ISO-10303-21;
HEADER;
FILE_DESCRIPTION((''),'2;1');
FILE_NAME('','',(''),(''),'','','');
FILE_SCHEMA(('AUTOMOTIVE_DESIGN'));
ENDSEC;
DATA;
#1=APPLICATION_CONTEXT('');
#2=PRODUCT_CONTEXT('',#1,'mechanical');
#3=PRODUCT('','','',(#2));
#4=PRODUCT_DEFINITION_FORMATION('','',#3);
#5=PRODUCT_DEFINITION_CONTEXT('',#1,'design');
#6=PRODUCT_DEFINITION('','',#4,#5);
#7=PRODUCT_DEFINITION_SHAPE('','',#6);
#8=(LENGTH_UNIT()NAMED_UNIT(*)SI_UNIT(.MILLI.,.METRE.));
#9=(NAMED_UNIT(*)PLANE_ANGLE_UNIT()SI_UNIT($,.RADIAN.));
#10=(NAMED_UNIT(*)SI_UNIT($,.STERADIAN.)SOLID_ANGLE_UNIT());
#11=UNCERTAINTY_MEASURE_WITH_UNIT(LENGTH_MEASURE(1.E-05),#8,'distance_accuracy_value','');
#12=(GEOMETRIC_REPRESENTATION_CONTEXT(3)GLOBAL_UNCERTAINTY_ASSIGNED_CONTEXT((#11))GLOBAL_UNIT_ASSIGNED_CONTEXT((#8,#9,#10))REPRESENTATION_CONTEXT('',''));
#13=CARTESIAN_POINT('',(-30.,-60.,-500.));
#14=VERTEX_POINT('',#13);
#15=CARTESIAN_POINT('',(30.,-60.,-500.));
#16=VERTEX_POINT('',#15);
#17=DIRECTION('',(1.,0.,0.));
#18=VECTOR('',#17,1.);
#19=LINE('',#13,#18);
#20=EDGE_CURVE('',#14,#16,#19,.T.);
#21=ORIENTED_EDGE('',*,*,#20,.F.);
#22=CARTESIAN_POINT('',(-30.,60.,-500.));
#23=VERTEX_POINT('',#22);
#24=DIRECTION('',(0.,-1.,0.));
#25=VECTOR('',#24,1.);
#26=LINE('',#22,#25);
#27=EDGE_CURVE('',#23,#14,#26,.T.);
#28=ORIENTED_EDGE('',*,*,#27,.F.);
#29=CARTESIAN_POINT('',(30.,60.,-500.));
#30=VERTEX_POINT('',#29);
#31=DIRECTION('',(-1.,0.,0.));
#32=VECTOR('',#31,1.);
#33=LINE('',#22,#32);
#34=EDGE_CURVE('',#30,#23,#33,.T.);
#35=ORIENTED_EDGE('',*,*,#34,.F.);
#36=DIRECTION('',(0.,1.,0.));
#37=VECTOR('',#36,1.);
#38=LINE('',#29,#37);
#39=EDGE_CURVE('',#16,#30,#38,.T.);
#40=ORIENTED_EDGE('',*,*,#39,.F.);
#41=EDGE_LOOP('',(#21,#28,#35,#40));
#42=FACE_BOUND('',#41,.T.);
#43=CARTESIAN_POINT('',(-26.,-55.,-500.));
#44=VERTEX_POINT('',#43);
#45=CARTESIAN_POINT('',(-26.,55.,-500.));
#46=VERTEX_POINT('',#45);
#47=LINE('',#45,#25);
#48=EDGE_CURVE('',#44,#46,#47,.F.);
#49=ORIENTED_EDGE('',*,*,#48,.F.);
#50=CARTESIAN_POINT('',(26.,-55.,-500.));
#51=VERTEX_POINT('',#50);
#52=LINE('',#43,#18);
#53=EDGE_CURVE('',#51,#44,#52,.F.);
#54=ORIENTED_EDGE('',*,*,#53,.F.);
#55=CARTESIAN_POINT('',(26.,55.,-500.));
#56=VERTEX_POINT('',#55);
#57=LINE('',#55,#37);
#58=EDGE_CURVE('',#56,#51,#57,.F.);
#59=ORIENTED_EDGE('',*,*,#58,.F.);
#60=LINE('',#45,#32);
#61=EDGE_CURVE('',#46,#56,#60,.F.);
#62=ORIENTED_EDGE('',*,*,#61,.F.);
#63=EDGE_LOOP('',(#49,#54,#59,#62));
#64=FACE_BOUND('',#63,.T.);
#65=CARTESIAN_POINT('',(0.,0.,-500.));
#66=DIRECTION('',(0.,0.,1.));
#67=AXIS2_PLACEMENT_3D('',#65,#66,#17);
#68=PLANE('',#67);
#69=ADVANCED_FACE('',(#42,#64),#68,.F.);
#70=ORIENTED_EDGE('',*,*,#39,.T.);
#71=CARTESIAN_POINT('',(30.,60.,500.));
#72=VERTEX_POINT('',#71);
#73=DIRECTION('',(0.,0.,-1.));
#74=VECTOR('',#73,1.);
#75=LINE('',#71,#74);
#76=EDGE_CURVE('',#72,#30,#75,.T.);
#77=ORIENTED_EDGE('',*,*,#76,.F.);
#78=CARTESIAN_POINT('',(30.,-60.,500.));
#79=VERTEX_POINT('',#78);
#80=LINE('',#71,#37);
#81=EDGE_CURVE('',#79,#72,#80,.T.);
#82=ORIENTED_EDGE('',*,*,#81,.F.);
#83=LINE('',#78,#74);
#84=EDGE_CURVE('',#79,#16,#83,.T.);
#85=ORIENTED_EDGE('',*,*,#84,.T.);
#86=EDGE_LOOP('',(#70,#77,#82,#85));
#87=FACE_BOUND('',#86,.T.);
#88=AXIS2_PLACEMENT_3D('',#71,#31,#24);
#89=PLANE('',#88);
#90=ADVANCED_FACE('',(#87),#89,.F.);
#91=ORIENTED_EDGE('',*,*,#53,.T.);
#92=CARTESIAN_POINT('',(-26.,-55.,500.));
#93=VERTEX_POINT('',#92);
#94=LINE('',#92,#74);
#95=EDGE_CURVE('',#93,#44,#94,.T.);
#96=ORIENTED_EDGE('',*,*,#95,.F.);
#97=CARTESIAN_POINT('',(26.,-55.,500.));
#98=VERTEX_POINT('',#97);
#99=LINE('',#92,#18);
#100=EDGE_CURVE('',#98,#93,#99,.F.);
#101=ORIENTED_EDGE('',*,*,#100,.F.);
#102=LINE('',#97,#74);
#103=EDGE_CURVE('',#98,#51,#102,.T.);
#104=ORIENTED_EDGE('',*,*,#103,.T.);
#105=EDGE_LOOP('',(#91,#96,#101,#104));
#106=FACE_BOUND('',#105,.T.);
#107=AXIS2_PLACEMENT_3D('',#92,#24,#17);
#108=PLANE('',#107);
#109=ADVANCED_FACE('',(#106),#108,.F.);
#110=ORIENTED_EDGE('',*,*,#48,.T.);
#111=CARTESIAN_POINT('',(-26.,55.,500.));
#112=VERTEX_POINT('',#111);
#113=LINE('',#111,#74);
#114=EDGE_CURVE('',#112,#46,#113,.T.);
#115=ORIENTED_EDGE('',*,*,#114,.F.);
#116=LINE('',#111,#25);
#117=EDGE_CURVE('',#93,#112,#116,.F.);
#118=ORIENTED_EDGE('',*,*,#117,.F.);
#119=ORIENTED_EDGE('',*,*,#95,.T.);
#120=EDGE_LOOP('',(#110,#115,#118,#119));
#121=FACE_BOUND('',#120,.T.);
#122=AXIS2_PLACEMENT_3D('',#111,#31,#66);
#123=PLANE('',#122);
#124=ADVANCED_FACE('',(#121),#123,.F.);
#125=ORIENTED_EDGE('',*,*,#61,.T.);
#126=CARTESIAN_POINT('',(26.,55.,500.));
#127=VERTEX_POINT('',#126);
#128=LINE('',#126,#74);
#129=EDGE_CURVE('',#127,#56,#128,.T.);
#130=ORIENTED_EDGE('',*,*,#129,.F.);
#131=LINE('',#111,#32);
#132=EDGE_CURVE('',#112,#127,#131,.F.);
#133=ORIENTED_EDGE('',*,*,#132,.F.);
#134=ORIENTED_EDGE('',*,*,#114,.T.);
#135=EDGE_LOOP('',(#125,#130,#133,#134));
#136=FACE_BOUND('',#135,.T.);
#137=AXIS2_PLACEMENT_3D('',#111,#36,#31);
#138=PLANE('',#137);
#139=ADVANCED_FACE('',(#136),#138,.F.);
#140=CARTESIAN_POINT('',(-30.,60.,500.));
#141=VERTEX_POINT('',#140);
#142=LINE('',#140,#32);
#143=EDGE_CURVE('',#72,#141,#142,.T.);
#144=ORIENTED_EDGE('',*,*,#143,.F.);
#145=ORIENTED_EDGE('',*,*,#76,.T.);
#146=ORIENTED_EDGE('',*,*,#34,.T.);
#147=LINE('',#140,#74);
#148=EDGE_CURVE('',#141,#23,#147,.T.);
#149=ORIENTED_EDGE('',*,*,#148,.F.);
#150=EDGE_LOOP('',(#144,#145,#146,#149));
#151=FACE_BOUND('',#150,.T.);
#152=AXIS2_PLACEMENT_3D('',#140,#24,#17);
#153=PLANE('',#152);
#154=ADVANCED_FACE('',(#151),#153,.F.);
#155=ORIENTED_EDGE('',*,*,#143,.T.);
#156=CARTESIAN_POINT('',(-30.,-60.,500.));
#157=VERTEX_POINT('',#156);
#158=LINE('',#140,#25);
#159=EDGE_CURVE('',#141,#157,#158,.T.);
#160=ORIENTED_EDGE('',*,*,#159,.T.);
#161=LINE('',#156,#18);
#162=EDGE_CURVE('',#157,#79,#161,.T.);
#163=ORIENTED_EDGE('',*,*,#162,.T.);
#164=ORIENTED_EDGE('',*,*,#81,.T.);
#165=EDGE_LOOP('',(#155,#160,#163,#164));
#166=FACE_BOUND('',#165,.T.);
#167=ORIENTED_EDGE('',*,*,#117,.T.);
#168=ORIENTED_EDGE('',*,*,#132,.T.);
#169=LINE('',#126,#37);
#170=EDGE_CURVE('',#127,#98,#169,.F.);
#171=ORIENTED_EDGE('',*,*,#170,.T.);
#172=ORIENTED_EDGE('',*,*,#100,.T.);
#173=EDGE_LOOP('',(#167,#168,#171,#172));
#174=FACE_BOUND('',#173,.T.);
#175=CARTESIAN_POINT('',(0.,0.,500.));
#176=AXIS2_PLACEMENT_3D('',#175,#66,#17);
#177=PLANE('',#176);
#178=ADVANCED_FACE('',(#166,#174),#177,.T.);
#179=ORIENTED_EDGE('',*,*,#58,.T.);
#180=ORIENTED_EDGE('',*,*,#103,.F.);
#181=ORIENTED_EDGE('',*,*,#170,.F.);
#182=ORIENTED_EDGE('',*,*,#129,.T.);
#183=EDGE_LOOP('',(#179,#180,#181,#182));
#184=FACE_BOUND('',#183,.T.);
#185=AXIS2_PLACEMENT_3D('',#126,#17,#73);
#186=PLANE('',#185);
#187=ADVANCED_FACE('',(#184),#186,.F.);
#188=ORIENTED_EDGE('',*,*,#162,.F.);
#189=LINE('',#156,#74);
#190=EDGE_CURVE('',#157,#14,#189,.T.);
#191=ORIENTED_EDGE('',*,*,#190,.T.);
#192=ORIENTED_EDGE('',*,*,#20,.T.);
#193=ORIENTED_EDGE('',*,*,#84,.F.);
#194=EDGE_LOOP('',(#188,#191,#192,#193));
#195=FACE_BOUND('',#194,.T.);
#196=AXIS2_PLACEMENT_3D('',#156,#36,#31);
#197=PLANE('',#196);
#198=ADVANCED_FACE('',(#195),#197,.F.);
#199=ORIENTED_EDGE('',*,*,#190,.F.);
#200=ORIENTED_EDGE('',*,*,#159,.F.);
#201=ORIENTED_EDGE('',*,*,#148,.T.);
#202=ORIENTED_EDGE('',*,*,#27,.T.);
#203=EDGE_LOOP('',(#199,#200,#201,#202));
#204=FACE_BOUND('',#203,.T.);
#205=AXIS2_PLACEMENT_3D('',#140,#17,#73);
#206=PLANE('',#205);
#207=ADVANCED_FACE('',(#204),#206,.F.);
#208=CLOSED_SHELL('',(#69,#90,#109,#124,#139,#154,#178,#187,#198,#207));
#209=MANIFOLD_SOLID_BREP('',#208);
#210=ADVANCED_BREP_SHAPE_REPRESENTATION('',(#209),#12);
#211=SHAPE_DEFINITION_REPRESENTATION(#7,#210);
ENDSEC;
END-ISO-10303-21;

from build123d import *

# Parameters (mm, degrees)
SKETCH1_W   = 60
SKETCH1_H   = 120
SKETCH1_W_2 = 52
SKETCH1_H_2 = 110


with BuildPart() as part:
    # Sweep1: sweep along a curve in space
    with BuildLine() as sweep1_path:
        add(Edge.make_bspline(
            [(0, 0, -500), (0, 0, 500)],
            knots=[0, 0, 1, 1], degree=1))
    # Sketch1 → Sweep1 (sweep)
    with BuildSketch(Plane.XY):
        Rectangle(SKETCH1_W, SKETCH1_H)
        Rectangle(SKETCH1_W_2, SKETCH1_H_2, mode=Mode.SUBTRACT)
    sweep(path=sweep1_path.line)


solid = part.part
